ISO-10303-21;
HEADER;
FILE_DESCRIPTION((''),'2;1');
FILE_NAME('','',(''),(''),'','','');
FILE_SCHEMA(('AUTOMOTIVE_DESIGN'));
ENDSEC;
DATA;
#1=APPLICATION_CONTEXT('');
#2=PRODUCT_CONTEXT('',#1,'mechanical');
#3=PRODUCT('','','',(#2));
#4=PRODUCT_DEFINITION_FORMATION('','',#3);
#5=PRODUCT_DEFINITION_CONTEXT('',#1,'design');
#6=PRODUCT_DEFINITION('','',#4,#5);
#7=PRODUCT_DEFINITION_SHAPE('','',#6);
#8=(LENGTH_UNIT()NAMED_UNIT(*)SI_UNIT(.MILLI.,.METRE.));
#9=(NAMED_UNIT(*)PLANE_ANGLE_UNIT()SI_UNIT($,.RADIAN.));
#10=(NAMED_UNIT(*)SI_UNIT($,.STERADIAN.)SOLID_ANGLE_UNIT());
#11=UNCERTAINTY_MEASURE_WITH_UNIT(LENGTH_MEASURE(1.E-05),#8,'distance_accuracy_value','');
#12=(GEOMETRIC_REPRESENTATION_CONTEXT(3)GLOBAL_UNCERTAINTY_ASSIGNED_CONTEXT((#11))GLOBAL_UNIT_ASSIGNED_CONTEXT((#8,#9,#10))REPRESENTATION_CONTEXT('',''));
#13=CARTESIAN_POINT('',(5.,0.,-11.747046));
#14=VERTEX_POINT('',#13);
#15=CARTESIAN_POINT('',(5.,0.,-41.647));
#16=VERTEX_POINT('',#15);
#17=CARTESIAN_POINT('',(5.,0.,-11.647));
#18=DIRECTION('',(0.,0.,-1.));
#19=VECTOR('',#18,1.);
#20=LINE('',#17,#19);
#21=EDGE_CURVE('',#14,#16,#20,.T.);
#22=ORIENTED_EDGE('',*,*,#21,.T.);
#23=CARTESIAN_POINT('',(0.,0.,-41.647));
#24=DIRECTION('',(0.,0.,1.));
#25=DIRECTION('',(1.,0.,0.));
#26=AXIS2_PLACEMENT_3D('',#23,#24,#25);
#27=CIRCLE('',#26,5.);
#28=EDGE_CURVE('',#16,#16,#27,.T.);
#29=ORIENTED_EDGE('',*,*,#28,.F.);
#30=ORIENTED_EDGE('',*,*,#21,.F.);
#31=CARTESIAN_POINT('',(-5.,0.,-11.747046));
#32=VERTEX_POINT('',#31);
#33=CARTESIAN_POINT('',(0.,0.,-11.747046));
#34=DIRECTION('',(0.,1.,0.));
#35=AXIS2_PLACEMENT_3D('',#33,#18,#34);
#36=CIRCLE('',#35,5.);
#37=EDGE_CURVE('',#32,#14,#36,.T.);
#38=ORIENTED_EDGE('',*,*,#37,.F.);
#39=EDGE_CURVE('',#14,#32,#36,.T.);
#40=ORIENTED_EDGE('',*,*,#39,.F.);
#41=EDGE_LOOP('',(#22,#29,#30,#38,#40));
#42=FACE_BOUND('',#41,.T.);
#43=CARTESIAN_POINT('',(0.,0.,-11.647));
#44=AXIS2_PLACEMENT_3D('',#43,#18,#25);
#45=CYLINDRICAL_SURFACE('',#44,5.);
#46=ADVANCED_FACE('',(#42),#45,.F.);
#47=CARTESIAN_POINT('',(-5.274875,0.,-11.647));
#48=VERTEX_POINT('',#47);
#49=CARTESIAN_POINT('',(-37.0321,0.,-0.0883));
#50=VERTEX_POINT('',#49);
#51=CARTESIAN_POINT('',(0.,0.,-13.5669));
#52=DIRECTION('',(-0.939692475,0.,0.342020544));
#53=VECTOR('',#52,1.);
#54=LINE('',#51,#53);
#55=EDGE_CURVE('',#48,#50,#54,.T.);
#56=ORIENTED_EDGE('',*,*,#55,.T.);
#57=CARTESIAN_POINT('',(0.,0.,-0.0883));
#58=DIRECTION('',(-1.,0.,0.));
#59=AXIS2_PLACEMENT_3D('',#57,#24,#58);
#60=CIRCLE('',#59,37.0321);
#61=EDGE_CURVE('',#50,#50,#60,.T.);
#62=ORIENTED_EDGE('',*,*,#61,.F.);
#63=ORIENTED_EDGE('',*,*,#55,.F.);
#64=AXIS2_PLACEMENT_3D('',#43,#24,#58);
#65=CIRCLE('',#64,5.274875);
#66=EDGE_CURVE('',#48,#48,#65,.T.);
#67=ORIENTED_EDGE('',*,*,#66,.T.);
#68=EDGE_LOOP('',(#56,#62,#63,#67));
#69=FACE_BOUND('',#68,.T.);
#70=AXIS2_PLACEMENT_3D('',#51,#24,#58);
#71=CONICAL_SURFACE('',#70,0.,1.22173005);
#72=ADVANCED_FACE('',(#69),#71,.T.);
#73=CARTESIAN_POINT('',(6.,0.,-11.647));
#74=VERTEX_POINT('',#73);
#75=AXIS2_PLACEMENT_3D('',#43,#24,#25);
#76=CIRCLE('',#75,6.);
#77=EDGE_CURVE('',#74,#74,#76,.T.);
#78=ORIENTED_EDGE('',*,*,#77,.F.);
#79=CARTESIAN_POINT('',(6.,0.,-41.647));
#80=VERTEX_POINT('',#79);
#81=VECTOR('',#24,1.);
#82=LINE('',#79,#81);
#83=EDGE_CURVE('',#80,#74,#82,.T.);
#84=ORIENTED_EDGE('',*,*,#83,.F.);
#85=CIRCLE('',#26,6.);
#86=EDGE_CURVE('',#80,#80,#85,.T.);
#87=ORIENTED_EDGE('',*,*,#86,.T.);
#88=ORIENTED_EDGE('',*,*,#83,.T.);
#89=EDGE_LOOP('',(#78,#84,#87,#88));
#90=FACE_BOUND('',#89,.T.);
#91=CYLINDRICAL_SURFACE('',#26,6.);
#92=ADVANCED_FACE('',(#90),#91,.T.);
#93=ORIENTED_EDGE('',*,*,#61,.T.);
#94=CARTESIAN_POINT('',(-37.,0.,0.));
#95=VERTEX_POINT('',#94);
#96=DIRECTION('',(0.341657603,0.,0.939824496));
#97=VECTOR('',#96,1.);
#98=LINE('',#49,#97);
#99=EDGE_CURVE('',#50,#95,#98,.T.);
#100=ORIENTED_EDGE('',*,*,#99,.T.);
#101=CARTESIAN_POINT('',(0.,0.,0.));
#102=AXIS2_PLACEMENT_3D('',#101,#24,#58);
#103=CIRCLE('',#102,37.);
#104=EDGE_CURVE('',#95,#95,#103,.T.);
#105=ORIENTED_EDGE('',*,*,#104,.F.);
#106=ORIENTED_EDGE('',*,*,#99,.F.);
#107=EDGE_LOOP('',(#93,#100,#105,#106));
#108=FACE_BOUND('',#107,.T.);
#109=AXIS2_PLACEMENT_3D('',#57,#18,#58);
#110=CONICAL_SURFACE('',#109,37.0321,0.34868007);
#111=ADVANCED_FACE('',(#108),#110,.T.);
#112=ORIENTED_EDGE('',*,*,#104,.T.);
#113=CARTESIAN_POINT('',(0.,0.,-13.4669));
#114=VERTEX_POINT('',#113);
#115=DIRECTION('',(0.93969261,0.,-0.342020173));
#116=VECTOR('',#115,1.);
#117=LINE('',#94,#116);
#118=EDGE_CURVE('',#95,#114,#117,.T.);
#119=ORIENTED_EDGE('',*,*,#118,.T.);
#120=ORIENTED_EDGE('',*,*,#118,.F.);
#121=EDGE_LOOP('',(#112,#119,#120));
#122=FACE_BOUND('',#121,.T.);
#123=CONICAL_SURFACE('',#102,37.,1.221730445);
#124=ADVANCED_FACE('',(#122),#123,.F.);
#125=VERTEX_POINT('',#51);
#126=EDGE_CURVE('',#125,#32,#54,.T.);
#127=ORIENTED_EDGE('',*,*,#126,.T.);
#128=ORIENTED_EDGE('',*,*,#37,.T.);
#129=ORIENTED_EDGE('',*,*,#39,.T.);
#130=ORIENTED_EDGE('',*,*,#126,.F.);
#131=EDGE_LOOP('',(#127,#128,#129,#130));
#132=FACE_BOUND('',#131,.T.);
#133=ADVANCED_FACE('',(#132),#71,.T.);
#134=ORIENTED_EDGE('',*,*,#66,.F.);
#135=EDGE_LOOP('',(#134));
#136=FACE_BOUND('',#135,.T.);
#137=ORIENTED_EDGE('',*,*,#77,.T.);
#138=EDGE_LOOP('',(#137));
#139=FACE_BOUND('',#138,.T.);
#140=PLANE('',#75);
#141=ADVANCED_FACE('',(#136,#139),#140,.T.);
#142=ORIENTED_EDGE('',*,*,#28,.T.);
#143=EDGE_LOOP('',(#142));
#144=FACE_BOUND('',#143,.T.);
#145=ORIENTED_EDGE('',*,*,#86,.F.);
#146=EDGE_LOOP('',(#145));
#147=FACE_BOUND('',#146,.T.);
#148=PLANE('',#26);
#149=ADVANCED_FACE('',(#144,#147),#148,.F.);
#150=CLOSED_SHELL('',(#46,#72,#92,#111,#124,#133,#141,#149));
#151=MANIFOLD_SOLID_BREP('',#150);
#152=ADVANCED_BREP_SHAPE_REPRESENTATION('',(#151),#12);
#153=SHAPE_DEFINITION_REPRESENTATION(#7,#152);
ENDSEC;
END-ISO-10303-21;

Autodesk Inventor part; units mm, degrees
ref_plane "YZ Plane" through (0, 0, 0) normal (1, 0, 0) x (0, 1, 0)
ref_plane "XZ Plane" through (0, 0, 0) normal (0, 1, 0) x (-1, 0, 0)
ref_plane "XY Plane" through (0, 0, 0) normal (0, 0, 1) x (1, 0, 0)
sketch "Sketch2" plane through (0, 0, 0) normal (0, 1, 0) x (-1, 0, 0)
  line L0 (37, 0) -> (0, -13.4669)
  line L1 (37, 0) -> (76.3746, 0) construction
  line L2 (0, -13.4669) -> (0, -13.5669)
  line L3 (0, -13.5669) -> (37.0321, -0.0883)
  line L4 (37.0321, -0.0883) -> (37, 0)
  line L5 (0, -16.2803) -> (0, 2.7134) projected
  point P0 (0, 0)
  dimension "d5" = 160
  dimension "d6" = 0.1
  dimension "d7" = 110
  dimension "d8" = 70
revolve "Revolution2" add sketch "Sketch2" angle 360 about axis through (0, 0, -10) along (0, 0, 1)
sketch "Sketch3" plane through (0, 0, 0) normal (0, 1, 0) x (-1, 0, 0)
  line L0 (-37, 0) -> (0, -13.4669) projected
  line L1 (-5, -11.647) -> (-5, -41.647)
  line L2 (-5, -41.647) -> (-6, -41.647)
  line L3 (-6, -41.647) -> (-6, -11.647)
  line L4 (-6, -11.647) -> (-5, -11.647)
  line L5 (0, -37.9765) -> (0, 6.3294) projected
  point P0 (0, 0)
  dimension "d10" = 30
  dimension "d11" = 1
  dimension "d12" = 90
  dimension "d13" = 30
  dimension "d14" = 90
revolve "Revolution3" add sketch "Sketch3" angle 360 about axis through (0, 0, -10) along (0, 0, 1)
properties part number "small_membrane"
